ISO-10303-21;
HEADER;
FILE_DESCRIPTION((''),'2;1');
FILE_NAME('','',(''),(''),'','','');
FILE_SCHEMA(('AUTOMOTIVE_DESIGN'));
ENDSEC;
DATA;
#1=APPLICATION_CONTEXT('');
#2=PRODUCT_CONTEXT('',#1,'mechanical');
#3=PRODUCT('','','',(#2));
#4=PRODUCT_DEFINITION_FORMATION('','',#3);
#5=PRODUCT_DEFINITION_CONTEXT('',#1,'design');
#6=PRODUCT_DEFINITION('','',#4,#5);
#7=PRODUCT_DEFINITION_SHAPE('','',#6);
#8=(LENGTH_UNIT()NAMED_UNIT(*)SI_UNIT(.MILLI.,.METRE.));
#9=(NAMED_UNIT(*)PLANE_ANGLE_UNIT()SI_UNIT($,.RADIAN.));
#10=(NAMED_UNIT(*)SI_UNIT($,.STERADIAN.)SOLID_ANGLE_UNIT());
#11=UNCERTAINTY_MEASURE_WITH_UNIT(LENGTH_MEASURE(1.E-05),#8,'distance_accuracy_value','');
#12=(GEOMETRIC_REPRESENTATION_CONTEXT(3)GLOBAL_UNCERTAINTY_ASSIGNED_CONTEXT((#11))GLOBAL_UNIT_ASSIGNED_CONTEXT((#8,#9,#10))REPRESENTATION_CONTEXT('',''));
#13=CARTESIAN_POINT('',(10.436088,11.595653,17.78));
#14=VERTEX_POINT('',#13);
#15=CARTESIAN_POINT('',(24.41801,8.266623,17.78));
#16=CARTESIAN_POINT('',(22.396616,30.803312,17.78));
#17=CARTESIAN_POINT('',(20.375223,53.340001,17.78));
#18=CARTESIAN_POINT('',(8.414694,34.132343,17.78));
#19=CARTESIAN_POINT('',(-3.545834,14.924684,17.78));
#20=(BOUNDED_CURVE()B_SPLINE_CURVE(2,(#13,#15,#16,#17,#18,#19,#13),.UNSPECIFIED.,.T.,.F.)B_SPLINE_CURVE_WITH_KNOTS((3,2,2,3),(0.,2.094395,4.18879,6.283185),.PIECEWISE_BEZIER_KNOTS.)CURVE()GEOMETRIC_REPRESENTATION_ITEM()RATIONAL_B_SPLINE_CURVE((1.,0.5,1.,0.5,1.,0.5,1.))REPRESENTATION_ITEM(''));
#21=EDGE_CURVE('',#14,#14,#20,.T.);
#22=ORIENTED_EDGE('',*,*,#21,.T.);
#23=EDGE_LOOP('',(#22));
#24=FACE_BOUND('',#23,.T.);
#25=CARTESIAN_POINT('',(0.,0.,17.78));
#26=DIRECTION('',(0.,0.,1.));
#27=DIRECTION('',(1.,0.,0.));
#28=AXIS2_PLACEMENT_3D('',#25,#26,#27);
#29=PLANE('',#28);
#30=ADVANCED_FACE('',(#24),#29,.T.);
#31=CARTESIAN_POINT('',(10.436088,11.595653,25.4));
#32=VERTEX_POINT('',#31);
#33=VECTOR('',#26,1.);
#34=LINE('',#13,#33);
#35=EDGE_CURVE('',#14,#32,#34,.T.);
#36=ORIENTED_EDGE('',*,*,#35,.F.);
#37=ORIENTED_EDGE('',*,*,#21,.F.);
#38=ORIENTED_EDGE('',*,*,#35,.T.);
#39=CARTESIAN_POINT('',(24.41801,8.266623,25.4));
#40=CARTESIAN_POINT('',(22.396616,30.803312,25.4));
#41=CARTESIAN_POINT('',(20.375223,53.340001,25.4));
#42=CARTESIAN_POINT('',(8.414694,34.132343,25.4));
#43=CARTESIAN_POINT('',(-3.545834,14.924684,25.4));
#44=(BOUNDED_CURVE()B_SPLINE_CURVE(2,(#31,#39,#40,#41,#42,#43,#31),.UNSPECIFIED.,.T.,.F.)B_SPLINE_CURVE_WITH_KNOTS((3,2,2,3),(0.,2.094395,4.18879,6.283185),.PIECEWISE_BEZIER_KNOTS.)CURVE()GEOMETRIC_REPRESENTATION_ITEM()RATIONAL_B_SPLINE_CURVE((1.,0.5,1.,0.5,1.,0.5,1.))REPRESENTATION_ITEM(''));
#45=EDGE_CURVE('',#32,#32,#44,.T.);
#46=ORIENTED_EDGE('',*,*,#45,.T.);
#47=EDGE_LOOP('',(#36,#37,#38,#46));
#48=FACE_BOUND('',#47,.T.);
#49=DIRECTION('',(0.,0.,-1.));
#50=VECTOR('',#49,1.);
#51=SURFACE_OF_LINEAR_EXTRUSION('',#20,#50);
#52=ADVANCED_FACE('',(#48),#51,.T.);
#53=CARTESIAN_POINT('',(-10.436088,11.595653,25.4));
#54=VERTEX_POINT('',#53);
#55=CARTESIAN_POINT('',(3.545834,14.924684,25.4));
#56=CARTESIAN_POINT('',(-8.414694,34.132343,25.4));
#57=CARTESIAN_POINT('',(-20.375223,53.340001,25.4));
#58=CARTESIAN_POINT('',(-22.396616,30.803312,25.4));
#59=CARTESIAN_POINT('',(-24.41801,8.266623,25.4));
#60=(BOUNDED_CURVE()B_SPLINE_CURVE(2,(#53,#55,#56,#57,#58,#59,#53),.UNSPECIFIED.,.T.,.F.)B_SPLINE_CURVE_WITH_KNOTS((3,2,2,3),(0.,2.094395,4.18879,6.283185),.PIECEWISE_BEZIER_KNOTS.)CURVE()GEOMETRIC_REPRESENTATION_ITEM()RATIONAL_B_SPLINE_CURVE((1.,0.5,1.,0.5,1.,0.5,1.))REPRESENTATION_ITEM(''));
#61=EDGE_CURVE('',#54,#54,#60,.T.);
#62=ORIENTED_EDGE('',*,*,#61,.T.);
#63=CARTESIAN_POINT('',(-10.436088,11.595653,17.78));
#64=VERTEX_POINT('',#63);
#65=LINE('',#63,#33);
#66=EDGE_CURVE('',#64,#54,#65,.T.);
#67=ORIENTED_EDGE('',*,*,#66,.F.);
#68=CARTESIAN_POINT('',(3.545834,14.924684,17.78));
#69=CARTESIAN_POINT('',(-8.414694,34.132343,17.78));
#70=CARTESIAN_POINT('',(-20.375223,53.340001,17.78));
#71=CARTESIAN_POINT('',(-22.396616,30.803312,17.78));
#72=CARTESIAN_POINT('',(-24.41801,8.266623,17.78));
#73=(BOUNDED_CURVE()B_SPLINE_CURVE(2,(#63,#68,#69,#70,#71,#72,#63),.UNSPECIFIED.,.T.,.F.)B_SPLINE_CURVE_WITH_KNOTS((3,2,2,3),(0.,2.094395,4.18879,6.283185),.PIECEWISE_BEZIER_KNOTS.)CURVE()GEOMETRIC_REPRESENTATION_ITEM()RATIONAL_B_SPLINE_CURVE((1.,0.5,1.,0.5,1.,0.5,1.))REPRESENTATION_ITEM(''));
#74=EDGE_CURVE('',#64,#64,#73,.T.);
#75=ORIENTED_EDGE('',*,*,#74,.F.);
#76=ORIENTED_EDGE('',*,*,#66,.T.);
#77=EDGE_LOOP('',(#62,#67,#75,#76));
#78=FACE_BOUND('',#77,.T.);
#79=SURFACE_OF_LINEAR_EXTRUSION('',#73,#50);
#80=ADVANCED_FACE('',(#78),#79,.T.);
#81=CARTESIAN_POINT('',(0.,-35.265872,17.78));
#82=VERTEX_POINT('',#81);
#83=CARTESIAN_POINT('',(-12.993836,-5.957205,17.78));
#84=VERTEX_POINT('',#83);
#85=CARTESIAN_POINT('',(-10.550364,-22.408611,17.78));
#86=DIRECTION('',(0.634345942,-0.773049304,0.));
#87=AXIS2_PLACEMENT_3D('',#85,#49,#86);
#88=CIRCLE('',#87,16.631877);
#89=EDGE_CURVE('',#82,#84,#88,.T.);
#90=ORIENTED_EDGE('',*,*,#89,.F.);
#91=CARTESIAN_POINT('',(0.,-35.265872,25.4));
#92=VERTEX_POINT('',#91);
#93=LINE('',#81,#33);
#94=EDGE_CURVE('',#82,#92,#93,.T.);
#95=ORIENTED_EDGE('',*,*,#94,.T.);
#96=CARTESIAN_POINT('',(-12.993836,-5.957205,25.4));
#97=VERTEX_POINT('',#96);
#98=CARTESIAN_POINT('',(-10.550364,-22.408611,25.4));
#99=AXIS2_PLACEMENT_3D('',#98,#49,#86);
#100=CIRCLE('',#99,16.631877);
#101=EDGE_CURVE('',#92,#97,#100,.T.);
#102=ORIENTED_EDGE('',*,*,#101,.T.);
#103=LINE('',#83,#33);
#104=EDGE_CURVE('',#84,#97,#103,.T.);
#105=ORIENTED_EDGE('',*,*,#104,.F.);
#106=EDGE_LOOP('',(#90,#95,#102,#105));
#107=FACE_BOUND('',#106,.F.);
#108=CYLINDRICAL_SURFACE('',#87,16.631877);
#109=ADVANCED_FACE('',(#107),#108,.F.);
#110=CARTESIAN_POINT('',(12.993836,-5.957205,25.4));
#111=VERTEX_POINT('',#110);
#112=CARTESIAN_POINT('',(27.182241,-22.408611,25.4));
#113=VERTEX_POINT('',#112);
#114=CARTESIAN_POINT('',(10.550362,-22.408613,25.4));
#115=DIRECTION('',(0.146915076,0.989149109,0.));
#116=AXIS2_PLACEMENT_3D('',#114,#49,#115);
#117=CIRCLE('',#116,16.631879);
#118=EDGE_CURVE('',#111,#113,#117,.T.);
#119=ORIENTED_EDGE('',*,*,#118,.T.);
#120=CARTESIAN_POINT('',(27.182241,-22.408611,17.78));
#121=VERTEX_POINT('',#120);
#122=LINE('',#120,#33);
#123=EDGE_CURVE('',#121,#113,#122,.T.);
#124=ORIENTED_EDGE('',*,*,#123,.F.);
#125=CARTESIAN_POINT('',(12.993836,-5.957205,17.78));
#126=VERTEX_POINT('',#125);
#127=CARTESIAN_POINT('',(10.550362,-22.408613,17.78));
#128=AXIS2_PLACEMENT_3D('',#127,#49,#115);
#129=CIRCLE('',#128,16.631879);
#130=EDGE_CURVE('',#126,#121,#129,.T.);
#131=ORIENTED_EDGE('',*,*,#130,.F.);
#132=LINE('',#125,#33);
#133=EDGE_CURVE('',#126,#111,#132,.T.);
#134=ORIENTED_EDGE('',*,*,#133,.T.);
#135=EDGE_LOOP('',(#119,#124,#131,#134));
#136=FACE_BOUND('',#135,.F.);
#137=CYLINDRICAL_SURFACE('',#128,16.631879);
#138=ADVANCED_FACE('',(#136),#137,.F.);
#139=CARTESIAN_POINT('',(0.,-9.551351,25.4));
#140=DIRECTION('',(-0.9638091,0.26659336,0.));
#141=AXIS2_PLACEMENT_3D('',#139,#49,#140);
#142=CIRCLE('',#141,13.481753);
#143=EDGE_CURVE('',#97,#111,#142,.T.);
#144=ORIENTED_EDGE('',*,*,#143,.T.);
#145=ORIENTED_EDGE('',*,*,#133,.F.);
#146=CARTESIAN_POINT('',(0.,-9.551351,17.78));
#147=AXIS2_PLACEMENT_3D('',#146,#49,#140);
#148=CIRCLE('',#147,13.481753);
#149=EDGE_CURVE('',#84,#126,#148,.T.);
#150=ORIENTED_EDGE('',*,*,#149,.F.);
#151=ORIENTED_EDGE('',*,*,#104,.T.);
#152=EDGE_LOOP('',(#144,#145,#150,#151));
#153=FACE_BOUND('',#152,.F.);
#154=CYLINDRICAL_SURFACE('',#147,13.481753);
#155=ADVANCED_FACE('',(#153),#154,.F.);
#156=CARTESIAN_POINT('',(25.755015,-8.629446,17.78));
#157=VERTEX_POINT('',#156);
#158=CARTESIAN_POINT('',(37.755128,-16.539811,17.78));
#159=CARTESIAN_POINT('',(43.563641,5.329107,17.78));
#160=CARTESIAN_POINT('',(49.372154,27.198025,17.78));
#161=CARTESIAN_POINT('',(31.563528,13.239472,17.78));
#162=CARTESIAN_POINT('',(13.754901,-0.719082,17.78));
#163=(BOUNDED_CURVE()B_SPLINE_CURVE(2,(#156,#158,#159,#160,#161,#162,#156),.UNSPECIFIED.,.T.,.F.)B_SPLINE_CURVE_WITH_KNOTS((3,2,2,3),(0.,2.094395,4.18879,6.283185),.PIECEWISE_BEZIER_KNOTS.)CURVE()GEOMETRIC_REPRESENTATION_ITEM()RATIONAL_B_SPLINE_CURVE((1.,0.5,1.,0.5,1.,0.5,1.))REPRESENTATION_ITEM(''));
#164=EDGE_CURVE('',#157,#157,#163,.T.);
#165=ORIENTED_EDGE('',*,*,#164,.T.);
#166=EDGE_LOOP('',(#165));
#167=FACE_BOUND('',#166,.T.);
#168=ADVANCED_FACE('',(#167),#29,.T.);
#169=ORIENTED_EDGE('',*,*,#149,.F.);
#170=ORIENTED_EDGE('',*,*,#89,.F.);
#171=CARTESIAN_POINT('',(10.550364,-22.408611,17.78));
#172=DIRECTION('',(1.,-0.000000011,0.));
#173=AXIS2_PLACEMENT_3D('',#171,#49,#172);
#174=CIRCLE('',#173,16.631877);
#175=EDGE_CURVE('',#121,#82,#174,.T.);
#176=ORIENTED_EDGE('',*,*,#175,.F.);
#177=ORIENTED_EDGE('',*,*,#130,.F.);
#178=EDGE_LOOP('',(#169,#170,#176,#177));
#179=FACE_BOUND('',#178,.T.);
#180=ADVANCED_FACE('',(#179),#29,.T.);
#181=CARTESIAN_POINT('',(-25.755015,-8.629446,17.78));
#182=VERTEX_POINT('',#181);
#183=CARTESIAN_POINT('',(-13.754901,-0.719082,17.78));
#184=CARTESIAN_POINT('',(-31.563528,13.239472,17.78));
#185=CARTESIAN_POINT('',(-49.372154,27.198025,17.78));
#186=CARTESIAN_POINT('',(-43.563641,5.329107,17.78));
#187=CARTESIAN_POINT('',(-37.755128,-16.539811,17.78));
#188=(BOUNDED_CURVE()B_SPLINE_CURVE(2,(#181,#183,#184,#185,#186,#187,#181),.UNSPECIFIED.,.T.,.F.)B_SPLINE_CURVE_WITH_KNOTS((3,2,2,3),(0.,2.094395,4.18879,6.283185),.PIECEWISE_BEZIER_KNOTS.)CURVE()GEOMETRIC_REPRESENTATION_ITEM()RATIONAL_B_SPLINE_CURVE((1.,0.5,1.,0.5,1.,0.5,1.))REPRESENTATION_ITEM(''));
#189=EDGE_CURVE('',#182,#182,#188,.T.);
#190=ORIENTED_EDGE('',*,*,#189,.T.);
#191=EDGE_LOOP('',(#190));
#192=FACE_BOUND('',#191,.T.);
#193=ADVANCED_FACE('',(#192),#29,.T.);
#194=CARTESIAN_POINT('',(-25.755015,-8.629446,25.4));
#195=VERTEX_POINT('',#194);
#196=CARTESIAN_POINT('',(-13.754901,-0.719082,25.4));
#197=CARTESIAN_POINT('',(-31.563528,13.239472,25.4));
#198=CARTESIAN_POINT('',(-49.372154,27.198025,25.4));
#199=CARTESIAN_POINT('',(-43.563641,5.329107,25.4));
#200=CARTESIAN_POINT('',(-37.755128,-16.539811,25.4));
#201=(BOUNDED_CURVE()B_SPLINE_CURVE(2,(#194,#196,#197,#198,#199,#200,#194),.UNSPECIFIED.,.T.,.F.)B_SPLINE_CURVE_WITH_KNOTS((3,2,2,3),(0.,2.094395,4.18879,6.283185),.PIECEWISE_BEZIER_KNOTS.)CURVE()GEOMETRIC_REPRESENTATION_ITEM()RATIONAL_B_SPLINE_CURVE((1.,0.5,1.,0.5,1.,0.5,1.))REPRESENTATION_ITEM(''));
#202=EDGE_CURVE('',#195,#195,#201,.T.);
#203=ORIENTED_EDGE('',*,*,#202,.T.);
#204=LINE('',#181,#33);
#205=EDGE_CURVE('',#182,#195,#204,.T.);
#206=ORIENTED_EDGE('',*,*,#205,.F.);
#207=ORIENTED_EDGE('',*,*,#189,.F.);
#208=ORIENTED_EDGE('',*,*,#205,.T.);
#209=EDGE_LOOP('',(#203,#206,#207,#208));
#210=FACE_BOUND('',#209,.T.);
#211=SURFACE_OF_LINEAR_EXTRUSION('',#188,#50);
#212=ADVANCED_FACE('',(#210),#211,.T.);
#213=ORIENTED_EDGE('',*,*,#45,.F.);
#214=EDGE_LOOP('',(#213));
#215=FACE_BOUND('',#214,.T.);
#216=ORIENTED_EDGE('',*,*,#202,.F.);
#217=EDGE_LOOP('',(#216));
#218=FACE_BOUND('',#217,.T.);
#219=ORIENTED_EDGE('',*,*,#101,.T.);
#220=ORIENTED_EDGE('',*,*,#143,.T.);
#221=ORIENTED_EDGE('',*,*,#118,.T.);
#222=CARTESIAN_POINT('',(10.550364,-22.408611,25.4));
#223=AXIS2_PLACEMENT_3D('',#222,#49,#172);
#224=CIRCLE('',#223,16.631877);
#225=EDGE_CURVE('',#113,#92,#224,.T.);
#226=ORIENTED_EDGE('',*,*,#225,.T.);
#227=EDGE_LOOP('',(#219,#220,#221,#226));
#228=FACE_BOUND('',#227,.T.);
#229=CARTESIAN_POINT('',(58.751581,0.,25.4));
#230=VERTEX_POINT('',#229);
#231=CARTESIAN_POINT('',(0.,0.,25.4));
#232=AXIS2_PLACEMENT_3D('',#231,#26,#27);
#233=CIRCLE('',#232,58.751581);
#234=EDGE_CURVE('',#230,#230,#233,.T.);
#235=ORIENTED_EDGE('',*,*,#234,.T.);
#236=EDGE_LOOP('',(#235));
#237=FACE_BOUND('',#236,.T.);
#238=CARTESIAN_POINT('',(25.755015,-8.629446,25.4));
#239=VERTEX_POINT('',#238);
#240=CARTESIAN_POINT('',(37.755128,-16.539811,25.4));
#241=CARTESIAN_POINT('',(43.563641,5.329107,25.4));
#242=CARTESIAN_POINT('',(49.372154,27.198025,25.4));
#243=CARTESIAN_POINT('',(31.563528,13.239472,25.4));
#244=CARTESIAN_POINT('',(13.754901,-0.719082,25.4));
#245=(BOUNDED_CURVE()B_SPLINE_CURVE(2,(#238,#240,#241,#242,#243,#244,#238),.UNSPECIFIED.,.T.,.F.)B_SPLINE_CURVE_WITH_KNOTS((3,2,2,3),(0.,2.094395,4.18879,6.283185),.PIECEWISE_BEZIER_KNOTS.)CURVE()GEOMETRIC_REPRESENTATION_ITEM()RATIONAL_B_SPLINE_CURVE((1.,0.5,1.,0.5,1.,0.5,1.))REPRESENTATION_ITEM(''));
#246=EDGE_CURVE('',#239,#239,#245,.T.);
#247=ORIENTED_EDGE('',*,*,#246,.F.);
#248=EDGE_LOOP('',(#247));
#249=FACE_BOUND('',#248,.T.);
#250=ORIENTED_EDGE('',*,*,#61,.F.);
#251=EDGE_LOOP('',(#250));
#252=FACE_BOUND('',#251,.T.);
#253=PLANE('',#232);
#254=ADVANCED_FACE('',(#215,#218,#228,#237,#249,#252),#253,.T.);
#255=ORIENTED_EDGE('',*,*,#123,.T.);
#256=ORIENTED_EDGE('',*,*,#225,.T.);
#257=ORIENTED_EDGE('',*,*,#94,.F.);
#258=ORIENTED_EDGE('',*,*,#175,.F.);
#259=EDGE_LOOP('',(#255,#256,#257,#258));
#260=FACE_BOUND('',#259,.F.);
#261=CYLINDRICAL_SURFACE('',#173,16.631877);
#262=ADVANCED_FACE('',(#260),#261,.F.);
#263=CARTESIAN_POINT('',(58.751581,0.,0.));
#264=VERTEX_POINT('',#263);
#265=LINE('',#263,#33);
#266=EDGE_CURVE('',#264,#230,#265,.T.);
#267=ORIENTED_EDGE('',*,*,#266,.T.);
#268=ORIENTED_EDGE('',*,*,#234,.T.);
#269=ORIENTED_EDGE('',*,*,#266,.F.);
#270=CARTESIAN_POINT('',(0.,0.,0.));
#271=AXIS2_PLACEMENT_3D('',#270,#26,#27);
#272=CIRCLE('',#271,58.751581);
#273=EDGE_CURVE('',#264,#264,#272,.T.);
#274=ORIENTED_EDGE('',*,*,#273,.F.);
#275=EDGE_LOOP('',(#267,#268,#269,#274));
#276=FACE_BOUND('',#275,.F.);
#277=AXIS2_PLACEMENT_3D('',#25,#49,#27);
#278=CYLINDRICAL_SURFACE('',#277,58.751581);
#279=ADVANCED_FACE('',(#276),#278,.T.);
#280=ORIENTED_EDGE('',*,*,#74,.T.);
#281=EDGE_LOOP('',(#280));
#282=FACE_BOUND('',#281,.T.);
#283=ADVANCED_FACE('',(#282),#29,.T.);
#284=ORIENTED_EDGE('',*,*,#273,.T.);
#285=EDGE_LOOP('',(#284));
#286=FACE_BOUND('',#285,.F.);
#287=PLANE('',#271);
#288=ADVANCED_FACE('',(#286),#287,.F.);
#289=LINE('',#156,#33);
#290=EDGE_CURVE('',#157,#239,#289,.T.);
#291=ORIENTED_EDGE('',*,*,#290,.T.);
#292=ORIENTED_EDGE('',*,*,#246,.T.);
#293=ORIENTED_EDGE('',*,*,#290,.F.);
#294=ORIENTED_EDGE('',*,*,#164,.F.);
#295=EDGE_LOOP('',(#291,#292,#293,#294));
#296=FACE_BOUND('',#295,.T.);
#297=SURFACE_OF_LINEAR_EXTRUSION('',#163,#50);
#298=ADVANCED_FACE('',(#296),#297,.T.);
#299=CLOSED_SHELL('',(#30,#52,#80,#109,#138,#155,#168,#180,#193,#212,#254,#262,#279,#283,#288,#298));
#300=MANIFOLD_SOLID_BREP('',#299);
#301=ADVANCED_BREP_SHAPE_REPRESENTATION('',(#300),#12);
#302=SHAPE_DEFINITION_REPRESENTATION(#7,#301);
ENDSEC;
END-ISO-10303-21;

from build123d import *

# Parameters (mm, degrees)
F0_R     = 58.751581
F1_DEPTH = 17.78
F2_R     = 58.751581
F3_DEPTH = 7.62


with BuildPart() as f1:
    # F0 (on Top) → F1 (new body)
    with BuildSketch(Plane.XY):
        Circle(F0_R)
    extrude(amount=F1_DEPTH)

    # F2 (on face) → F3 (join)
    with BuildSketch(Plane.XY.offset(17.78)):
        Circle(F2_R)
        with BuildLine():
            ThreePointArc((27.182241, -22.408611), (17.661868, -37.443432), (0, -35.265872))
            ThreePointArc((0, -35.265872), (-25.754965, -29.149488), (-12.993836, -5.957205))
            ThreePointArc((-12.993836, -5.957205), (0, 3.930402), (12.993836, -5.957205))
            ThreePointArc((12.993836, -5.957205), (23.145181, -11.546296), (27.182241, -22.408611))
        make_face(mode=Mode.SUBTRACT)
        with BuildLine():
            add(Edge.make_bspline(
                [(-25.755015, -8.629446), (-13.754901, -0.719082), (-31.563528, 13.239472), (-49.372154, 27.198025), (-43.563641, 5.329107), (-37.755128, -16.539811), (-25.755015, -8.629446)],
                knots=[0, 0, 0, 2.094395, 2.094395, 4.18879, 4.18879, 6.283185, 6.283185, 6.283185], degree=2, weights=[1, 0.5, 1, 0.5, 1, 0.5, 1]))
        make_face(mode=Mode.SUBTRACT)
        with BuildLine():
            add(Edge.make_bspline(
                [(-10.436088, 11.595653), (3.545834, 14.924684), (-8.414694, 34.132343), (-20.375223, 53.340001), (-22.396616, 30.803312), (-24.41801, 8.266623), (-10.436088, 11.595653)],
                knots=[0, 0, 0, 2.094395, 2.094395, 4.18879, 4.18879, 6.283185, 6.283185, 6.283185], degree=2, weights=[1, 0.5, 1, 0.5, 1, 0.5, 1]))
        make_face(mode=Mode.SUBTRACT)
        with BuildLine():
            add(Edge.make_bspline(
                [(10.436088, 11.595653), (24.41801, 8.266623), (22.396616, 30.803312), (20.375223, 53.340001), (8.414694, 34.132343), (-3.545834, 14.924684), (10.436088, 11.595653)],
                knots=[0, 0, 0, 2.094395, 2.094395, 4.18879, 4.18879, 6.283185, 6.283185, 6.283185], degree=2, weights=[1, 0.5, 1, 0.5, 1, 0.5, 1]))
        make_face(mode=Mode.SUBTRACT)
        with BuildLine():
            add(Edge.make_bspline(
                [(25.755015, -8.629446), (37.755128, -16.539811), (43.563641, 5.329107), (49.372154, 27.198025), (31.563528, 13.239472), (13.754901, -0.719082), (25.755015, -8.629446)],
                knots=[0, 0, 0, 2.094395, 2.094395, 4.18879, 4.18879, 6.283185, 6.283185, 6.283185], degree=2, weights=[1, 0.5, 1, 0.5, 1, 0.5, 1]))
        make_face(mode=Mode.SUBTRACT)
    extrude(amount=F3_DEPTH)


solid = f1.part
